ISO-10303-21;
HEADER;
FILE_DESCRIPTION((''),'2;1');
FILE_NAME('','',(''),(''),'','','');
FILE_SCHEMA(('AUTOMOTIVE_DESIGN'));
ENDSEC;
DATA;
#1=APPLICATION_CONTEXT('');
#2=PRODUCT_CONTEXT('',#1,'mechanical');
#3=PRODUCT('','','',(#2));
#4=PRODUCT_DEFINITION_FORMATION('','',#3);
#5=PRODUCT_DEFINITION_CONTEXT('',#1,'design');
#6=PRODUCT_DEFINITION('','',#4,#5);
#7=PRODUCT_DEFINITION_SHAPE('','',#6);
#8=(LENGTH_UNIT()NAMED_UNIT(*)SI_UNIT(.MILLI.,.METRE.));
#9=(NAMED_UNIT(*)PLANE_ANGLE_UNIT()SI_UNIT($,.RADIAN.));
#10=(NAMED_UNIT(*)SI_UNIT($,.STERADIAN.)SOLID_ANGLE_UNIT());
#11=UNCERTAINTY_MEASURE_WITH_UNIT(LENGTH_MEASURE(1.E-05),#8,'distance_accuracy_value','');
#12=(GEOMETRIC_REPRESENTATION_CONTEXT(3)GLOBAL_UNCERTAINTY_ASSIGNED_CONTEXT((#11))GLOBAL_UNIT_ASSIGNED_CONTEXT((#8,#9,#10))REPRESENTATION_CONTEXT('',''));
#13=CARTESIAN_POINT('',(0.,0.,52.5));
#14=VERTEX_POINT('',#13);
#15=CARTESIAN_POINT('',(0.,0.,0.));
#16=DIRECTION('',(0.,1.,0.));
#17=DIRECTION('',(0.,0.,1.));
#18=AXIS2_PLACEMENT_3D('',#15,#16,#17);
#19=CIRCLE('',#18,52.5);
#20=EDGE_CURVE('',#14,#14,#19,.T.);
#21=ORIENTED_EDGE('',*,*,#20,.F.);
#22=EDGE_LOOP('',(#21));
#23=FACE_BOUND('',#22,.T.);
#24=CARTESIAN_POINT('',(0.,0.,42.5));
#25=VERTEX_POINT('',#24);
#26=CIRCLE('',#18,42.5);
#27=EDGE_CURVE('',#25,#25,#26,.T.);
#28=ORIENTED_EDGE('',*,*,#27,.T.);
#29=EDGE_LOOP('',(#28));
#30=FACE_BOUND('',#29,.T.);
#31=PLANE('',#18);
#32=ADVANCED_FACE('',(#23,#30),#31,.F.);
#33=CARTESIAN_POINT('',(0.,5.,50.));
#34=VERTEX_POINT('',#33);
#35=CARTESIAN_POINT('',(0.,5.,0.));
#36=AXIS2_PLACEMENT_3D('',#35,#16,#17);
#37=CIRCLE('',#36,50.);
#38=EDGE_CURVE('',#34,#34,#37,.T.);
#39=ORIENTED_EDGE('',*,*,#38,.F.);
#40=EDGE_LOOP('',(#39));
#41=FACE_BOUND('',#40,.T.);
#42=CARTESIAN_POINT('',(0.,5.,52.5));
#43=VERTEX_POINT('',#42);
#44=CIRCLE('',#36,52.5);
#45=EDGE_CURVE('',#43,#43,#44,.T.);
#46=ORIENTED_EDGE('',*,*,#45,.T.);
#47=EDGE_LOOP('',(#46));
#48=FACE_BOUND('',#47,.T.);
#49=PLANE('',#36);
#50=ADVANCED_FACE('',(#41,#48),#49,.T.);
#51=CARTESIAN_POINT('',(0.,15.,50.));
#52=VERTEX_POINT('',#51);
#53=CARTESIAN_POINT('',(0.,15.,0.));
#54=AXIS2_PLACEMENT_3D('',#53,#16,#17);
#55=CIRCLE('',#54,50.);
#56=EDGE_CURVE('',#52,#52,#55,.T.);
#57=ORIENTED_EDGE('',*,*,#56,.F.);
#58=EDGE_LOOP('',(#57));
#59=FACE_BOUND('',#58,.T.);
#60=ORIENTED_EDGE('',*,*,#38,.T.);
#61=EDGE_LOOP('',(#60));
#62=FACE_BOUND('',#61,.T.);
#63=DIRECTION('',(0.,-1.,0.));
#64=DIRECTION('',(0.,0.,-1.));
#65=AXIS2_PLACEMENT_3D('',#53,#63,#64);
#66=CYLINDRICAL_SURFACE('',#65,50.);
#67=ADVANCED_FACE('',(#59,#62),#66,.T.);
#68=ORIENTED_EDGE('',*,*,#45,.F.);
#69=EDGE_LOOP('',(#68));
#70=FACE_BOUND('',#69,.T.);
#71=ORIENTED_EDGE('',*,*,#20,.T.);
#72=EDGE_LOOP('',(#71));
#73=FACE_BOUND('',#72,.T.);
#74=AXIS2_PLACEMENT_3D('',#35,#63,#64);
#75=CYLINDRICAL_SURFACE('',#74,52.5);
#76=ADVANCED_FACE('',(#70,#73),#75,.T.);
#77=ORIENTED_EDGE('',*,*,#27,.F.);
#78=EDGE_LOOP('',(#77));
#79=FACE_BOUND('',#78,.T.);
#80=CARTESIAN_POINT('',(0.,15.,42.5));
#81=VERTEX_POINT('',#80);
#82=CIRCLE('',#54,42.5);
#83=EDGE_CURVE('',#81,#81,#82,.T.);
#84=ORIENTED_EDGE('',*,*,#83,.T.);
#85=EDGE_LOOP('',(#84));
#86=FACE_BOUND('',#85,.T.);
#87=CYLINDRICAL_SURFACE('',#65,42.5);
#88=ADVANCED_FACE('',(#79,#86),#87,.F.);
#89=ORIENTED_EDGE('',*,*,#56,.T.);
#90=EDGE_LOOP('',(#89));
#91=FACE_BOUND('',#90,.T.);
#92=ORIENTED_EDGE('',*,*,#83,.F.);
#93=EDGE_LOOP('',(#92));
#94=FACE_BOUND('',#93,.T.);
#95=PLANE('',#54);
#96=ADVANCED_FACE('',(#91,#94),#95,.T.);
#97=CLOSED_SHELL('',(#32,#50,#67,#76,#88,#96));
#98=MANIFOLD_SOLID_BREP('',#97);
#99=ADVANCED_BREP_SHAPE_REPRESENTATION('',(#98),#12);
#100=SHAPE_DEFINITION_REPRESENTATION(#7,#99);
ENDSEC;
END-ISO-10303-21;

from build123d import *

# Parameters (mm, degrees)
SKETCH1_R           = 52.5
BOSS_EXTRUDE1_DEPTH = 5
SKETCH2_R           = 50
SKETCH2_R_2         = 42.5
BOSS_EXTRUDE2_DEPTH = 10
SKETCH3_R           = 42.5
CUT_EXTRUDE1_DEPTH  = 6


with BuildPart() as part:
    # Sketch1 → Boss-Extrude1 (new body)
    with BuildSketch(Plane(origin=(0, 0, 0), x_dir=(1, 0, 0), z_dir=(0, 1, 0))):
        Circle(SKETCH1_R)
    extrude(amount=BOSS_EXTRUDE1_DEPTH)

    # Sketch2 → Boss-Extrude2 (add)
    with BuildSketch(Plane(origin=(0, 5, 0), x_dir=(1, 0, 0), z_dir=(0, 1, 0))):
        Circle(SKETCH2_R)
        Circle(SKETCH2_R_2, mode=Mode.SUBTRACT)
    extrude(amount=BOSS_EXTRUDE2_DEPTH)

    # Sketch3 → Cut-Extrude1 (cut, through all)
    with BuildSketch(Plane(origin=(0, 5, 0), x_dir=(1, 0, 0), z_dir=(0, 1, 0))):
        Circle(SKETCH3_R)
    extrude(amount=-CUT_EXTRUDE1_DEPTH, mode=Mode.SUBTRACT)


solid = part.part
